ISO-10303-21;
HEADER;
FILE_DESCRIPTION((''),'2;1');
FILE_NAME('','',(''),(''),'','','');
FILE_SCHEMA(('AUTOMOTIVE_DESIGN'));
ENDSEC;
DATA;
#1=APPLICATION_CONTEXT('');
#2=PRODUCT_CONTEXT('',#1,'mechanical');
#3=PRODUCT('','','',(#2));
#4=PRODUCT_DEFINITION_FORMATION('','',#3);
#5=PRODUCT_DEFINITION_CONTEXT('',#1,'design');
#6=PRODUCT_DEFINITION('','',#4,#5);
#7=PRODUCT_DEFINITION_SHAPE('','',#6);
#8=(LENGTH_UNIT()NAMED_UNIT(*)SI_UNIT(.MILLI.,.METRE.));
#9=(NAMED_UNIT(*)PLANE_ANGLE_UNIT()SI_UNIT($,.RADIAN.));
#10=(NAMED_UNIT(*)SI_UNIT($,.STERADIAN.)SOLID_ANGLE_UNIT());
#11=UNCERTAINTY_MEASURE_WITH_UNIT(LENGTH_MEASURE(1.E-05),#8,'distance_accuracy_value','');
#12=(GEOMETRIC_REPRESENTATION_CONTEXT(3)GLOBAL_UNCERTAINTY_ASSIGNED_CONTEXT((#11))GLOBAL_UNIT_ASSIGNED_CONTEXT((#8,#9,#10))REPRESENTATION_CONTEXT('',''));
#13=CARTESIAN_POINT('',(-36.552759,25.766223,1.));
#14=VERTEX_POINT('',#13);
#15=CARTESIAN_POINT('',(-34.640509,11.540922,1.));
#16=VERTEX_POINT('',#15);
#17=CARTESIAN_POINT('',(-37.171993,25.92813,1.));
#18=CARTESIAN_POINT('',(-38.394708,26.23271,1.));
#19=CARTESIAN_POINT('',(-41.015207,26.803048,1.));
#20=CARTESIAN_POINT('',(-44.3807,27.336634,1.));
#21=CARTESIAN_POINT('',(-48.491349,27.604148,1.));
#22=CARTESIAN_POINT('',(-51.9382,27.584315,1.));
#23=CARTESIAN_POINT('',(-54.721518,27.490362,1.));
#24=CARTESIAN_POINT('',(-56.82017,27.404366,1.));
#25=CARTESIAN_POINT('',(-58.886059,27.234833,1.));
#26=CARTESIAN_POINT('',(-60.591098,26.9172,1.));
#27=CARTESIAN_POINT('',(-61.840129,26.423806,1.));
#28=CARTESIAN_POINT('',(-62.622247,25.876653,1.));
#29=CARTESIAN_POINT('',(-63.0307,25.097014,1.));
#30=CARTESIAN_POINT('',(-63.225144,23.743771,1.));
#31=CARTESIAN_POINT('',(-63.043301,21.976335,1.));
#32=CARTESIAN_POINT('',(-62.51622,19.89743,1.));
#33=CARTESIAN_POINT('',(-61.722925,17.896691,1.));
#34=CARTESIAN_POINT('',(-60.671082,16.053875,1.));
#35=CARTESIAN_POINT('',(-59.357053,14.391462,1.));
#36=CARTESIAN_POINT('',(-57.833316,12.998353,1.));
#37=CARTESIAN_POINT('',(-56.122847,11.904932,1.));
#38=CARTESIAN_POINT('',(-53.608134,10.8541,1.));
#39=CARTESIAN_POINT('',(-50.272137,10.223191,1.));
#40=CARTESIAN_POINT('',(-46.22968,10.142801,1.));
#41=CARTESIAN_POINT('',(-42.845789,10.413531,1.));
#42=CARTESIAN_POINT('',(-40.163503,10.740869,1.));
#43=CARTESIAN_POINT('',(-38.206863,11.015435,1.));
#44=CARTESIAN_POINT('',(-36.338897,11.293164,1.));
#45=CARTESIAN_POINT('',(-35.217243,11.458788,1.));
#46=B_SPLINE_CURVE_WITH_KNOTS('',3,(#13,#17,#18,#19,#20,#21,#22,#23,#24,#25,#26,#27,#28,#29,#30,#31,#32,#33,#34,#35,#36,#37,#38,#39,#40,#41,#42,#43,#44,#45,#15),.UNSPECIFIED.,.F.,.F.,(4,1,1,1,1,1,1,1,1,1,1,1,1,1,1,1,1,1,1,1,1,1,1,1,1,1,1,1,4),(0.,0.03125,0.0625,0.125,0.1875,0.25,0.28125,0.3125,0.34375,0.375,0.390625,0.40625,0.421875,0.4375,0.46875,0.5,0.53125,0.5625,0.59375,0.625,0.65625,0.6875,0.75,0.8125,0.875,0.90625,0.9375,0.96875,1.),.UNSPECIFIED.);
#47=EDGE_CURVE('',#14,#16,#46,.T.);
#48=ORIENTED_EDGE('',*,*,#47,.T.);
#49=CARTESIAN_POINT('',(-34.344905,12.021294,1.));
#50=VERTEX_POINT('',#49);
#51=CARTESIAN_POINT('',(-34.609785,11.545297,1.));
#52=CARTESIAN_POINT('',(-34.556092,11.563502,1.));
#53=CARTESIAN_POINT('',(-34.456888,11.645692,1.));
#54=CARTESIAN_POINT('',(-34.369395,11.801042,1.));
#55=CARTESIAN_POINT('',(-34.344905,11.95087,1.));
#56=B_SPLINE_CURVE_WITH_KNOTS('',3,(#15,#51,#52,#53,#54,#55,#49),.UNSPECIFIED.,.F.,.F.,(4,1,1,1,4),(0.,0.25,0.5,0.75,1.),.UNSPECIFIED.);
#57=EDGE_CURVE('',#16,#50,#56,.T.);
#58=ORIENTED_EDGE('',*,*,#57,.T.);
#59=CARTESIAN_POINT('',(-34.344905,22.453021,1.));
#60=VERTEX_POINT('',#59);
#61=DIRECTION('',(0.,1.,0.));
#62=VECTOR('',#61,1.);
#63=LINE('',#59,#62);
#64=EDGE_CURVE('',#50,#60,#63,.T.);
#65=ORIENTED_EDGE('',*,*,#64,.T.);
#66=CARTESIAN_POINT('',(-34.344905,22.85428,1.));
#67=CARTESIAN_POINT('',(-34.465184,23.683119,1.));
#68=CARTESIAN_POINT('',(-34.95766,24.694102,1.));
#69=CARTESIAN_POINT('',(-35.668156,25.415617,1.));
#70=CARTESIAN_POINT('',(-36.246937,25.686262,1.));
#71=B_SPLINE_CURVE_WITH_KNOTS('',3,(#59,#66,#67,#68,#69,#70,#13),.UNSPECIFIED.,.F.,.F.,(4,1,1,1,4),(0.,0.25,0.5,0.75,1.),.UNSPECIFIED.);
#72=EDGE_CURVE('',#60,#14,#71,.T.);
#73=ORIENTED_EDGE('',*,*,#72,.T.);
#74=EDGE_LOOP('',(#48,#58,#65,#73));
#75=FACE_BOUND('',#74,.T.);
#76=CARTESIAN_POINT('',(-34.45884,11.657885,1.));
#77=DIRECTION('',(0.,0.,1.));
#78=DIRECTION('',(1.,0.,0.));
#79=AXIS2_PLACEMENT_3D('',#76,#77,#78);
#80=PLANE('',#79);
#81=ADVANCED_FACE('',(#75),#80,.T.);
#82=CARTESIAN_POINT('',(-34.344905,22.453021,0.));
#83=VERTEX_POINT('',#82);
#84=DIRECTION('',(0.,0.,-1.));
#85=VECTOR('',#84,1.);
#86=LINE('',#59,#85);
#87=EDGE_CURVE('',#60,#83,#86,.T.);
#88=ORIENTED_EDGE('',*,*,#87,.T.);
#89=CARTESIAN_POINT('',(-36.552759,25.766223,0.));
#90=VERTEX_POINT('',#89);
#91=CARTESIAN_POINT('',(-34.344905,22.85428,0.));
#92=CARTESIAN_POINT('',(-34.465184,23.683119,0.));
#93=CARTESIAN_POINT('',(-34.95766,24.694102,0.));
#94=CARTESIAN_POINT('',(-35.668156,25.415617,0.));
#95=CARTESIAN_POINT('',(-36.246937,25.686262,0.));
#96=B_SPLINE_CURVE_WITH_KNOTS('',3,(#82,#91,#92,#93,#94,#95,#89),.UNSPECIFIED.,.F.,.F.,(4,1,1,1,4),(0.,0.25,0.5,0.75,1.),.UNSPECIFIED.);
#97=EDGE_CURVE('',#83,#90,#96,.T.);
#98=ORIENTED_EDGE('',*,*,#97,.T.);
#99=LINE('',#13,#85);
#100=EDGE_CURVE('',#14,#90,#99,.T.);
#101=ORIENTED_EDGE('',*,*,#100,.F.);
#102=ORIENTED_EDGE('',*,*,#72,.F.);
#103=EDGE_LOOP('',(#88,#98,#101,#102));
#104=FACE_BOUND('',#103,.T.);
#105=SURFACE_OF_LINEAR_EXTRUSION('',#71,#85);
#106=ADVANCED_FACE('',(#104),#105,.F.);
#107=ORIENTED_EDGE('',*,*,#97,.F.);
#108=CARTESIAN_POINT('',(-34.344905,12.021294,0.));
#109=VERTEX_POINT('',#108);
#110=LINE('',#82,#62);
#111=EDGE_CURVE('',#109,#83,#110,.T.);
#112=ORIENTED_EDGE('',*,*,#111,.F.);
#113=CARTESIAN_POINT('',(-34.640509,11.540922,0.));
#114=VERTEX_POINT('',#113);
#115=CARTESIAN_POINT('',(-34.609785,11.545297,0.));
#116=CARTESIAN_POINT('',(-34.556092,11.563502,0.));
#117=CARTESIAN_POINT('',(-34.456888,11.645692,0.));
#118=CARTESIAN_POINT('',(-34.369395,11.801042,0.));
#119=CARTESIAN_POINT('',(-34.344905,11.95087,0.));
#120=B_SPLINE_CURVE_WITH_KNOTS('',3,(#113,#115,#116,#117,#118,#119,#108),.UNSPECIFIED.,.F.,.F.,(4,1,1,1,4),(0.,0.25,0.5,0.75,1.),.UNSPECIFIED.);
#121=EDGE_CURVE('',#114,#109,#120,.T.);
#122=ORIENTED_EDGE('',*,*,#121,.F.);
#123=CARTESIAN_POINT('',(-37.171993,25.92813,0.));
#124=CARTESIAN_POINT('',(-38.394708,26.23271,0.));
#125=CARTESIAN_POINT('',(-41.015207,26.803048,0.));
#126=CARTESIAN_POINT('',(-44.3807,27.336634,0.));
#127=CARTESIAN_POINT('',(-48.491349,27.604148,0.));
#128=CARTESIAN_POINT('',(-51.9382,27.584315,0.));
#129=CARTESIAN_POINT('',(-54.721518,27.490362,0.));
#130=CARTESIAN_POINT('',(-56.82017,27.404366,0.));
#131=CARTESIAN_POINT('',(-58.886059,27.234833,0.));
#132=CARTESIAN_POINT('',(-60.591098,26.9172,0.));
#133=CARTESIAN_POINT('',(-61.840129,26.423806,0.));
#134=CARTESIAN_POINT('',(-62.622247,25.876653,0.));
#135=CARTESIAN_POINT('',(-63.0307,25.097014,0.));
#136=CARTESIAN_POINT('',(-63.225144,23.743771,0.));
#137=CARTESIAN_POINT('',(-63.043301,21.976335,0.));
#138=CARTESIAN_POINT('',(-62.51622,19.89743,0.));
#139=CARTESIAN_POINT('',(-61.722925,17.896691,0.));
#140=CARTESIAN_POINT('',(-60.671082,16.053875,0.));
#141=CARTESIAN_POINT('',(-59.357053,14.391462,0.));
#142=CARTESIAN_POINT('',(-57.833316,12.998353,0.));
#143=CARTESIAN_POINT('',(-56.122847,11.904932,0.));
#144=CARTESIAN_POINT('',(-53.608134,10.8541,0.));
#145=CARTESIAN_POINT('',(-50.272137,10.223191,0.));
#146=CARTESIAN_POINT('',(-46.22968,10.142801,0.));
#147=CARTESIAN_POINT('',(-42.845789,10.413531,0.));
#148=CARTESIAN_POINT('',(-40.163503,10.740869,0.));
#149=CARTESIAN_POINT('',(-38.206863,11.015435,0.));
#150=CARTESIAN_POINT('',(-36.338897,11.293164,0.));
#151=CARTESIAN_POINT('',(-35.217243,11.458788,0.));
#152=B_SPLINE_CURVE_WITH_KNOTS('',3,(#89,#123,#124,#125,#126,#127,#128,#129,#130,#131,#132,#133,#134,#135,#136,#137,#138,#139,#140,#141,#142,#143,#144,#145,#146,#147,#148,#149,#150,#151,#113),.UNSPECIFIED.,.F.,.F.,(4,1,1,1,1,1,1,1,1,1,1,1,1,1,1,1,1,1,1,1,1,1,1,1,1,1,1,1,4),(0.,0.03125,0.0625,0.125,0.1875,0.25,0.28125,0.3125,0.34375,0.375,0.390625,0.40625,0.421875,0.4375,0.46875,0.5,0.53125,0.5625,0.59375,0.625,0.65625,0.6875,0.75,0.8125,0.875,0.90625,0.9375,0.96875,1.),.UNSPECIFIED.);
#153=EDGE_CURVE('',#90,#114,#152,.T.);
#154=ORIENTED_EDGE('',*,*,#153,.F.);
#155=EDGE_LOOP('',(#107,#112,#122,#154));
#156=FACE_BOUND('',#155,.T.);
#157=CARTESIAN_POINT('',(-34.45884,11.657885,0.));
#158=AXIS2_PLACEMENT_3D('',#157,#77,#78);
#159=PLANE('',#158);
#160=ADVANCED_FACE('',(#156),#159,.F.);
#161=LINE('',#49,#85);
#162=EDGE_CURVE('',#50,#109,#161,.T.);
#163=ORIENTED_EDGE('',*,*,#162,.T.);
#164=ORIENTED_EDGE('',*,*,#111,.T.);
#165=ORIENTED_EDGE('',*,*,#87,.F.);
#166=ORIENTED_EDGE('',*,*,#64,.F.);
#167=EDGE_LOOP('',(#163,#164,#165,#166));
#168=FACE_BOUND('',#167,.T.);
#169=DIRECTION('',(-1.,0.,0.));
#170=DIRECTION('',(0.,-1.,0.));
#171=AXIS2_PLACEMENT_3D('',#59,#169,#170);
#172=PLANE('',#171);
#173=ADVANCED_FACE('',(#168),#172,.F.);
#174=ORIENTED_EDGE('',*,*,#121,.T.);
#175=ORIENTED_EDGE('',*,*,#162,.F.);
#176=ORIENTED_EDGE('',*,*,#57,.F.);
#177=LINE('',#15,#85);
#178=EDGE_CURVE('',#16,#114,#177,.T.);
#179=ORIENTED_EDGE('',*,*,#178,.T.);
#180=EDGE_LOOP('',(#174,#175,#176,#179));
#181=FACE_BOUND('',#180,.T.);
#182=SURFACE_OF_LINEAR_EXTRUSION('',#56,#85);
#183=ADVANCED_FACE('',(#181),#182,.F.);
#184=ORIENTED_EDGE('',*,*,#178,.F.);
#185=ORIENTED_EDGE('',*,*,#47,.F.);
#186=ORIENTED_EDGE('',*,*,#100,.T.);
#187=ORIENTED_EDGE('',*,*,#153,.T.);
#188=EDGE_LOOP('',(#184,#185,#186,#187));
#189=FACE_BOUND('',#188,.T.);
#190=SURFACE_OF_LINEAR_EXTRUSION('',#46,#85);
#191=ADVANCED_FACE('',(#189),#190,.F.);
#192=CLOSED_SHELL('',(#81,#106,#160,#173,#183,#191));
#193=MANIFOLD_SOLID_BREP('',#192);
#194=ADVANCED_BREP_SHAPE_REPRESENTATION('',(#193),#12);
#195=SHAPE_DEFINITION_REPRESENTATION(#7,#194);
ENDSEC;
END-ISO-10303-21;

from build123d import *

# Parameters (mm, degrees)
BOSS_EXTRUDE1_DEPTH = 1


with BuildPart() as part:
    # Sketch1 → Boss-Extrude1 (new body)
    with BuildSketch(Plane.XY):
        with BuildLine():
            Line((-34.344904709, 22.453020705), (-34.344904709, 12.021294012))
            add(Edge.make_bspline(
                [(-34.344904709, 12.021294012), (-34.344904709, 11.950869966), (-34.369395323, 11.801041618), (-34.456887799, 11.64569221), (-34.556092402, 11.563502256), (-34.609785167, 11.545296913), (-34.640508554, 11.540921545)],
                knots=[0, 0, 0, 0, 0.25, 0.5, 0.75, 1, 1, 1, 1], degree=3))
            add(Edge.make_bspline(
                [(-34.640508554, 11.540921545), (-35.21724266, 11.458787884), (-36.338896606, 11.293164199), (-38.206863446, 11.015434655), (-40.163503445, 10.740869248), (-42.845789259, 10.413531021), (-46.229680272, 10.142800708), (-50.272137322, 10.223191), (-53.608133973, 10.854099917), (-56.122847013, 11.904931777), (-57.833316073, 12.998352576), (-59.357052902, 14.391461653), (-60.671081861, 16.053875197), (-61.722924964, 17.896690647), (-62.516219814, 19.897430235), (-63.043300892, 21.976334992), (-63.225144088, 23.743771435), (-63.030699507, 25.097013883), (-62.622246646, 25.876653231), (-61.840128752, 26.423806221), (-60.5910983, 26.917200473), (-58.886059289, 27.234833276), (-56.820169732, 27.404365552), (-54.721518229, 27.490361996), (-51.938200087, 27.584315306), (-48.491349327, 27.604148357), (-44.380700372, 27.336633874), (-41.01520735, 26.803048369), (-38.39470831, 26.232710485), (-37.171992655, 25.928130366), (-36.552758897, 25.766223197)],
                knots=[0, 0, 0, 0, 0.03125, 0.0625, 0.09375, 0.125, 0.1875, 0.25, 0.3125, 0.34375, 0.375, 0.40625, 0.4375, 0.46875, 0.5, 0.53125, 0.5625, 0.578125, 0.59375, 0.609375, 0.625, 0.65625, 0.6875, 0.71875, 0.75, 0.8125, 0.875, 0.9375, 0.96875, 1, 1, 1, 1], degree=3))
            add(Edge.make_bspline(
                [(-36.552758897, 25.766223197), (-36.246937061, 25.686261878), (-35.668156229, 25.415617429), (-34.957659811, 24.694102115), (-34.465184259, 23.683119271), (-34.344904709, 22.854280394), (-34.344904709, 22.453020705)],
                knots=[0, 0, 0, 0, 0.25, 0.5, 0.75, 1, 1, 1, 1], degree=3))
        make_face()
    extrude(amount=BOSS_EXTRUDE1_DEPTH)


solid = part.part
